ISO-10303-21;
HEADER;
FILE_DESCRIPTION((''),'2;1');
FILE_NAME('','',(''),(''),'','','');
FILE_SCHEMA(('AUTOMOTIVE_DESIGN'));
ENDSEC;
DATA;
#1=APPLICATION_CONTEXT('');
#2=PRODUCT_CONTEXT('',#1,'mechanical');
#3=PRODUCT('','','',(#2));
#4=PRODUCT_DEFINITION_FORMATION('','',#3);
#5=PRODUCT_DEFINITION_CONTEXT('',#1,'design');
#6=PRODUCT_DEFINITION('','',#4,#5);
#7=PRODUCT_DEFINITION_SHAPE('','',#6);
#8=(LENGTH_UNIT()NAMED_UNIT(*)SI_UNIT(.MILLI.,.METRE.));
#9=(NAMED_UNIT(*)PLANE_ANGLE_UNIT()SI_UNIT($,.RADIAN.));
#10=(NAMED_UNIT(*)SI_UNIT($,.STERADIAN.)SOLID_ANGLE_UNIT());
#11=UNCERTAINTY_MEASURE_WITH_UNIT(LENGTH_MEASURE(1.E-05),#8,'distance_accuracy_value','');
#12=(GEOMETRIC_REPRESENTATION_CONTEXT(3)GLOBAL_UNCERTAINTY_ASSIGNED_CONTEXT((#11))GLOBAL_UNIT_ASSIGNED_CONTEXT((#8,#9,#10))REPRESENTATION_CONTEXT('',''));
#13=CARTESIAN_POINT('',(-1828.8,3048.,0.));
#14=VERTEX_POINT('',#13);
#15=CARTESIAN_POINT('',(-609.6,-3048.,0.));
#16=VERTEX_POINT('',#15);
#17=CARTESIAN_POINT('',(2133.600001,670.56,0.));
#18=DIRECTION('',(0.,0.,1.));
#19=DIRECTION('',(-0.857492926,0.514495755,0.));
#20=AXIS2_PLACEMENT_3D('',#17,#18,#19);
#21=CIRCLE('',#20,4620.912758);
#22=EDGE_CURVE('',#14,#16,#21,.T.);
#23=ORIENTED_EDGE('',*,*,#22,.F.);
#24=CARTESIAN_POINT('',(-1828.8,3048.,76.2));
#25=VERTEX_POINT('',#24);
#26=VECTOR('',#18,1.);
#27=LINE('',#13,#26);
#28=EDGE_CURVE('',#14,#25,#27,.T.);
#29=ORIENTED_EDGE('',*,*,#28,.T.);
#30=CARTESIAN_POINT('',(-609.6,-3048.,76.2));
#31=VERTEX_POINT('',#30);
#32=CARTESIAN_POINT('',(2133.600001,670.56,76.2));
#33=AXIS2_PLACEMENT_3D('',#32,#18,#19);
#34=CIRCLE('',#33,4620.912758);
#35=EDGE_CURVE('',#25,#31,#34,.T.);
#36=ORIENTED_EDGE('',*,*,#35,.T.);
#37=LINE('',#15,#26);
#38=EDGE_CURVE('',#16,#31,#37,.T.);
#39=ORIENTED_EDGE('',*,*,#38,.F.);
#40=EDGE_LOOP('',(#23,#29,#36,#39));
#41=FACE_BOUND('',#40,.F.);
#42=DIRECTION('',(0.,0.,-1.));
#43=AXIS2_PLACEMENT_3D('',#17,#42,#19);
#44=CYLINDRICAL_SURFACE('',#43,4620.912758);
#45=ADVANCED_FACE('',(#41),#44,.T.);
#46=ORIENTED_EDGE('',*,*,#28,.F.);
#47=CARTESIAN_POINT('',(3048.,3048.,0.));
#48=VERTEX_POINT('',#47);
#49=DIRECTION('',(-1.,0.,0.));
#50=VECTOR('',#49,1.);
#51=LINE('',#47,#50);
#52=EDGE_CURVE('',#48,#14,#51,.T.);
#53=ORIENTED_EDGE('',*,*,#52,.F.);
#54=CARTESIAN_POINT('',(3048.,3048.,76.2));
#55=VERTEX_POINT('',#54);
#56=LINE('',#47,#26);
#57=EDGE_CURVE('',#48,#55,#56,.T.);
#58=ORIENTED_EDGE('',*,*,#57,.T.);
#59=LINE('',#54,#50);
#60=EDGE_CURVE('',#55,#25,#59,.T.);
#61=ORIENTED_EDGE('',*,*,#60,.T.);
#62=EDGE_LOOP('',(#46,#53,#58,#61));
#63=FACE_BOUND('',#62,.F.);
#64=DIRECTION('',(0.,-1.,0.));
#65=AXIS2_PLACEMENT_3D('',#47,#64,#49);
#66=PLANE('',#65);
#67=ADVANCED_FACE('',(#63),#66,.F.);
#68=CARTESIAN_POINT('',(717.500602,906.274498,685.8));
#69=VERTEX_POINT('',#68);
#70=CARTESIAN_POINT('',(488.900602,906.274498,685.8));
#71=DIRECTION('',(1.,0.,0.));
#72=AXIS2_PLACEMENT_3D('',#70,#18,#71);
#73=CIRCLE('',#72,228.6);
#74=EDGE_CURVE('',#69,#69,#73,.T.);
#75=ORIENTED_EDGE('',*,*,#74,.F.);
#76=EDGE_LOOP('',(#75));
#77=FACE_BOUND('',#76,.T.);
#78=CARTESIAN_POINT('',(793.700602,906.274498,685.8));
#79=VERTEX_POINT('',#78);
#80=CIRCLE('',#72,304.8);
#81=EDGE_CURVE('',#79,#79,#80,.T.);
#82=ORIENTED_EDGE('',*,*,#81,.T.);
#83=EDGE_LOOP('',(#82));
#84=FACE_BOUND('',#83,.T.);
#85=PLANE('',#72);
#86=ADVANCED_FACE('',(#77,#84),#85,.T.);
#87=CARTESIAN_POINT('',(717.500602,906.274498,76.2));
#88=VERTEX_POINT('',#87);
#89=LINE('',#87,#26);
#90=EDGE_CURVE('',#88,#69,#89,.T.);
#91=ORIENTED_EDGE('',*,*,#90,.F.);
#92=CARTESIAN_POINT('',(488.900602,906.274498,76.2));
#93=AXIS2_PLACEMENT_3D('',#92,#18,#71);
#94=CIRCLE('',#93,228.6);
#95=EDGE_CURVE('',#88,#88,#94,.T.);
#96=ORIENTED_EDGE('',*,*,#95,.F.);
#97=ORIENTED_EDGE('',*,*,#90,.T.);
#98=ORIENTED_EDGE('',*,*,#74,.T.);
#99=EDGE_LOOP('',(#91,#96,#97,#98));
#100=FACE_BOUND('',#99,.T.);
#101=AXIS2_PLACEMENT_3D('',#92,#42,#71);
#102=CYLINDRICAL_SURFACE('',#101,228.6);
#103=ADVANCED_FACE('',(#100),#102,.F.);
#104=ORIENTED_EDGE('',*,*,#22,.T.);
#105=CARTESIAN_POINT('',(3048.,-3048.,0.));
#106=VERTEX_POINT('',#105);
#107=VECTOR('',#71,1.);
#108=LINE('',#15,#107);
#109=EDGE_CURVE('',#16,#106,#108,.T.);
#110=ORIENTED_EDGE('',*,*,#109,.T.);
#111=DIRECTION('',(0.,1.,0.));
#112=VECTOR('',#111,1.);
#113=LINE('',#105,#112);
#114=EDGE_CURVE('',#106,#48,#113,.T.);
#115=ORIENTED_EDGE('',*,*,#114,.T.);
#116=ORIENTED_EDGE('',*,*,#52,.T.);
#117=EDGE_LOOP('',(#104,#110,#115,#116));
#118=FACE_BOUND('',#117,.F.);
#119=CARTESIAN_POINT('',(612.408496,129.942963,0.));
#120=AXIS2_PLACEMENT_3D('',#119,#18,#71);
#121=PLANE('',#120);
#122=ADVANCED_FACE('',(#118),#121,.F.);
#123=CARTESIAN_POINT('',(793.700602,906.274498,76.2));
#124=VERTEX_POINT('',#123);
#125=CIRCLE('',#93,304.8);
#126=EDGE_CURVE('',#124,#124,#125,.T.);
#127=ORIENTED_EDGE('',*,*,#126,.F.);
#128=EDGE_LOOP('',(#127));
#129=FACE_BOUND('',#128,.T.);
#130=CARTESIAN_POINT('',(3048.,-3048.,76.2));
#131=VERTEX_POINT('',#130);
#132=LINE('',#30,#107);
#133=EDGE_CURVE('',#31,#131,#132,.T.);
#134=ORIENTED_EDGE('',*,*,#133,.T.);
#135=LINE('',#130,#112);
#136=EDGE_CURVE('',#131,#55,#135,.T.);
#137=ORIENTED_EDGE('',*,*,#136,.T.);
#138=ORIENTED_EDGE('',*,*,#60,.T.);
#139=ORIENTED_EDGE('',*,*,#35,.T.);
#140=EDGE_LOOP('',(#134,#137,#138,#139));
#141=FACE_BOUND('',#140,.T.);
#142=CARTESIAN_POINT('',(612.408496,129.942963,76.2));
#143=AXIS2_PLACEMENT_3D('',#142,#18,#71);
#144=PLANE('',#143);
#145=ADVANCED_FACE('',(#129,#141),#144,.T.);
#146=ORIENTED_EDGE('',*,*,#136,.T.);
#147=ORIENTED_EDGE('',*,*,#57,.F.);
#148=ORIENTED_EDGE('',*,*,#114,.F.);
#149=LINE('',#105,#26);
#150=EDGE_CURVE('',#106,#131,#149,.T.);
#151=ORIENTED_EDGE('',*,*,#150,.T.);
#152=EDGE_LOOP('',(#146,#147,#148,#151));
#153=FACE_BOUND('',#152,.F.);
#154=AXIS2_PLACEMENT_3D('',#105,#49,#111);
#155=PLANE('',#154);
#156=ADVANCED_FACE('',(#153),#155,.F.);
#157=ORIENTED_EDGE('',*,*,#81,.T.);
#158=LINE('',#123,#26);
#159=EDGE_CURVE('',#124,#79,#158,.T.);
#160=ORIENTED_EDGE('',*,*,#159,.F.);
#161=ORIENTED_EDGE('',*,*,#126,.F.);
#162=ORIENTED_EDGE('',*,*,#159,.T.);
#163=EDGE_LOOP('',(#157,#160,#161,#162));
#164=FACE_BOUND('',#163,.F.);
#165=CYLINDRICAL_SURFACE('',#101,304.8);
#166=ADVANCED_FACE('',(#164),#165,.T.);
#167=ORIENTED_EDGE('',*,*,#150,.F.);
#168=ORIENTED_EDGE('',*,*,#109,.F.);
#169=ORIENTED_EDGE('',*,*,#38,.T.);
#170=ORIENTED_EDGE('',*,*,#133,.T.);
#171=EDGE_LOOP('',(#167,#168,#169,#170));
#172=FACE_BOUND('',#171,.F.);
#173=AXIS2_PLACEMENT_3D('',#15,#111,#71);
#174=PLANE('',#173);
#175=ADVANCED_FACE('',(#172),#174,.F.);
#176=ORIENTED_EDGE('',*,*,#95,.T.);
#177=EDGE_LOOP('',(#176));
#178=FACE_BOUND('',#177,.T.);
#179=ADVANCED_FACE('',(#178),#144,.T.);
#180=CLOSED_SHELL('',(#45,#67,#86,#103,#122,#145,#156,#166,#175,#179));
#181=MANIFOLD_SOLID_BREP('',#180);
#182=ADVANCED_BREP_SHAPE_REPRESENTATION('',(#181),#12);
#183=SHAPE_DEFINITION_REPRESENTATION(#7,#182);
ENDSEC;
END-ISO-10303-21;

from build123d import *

# Parameters (mm, degrees)
F1_DEPTH = 76.2
F2_R     = 304.8
F2_R_2   = 228.6
F3_DEPTH = 609.6


with BuildPart() as f1:
    # F0 (on Top) → F1 (new body)
    with BuildSketch(Plane.XY):
        with BuildLine():
            Line((3048, -3048), (3048, 3048))
            Line((3048, 3048), (-1828.8, 3048))
            ThreePointArc((-1828.8, 3048), (-2397.577754, -235.675551), (-609.6, -3048))
            Line((-609.6, -3048), (3048, -3048))
        make_face()
    extrude(amount=F1_DEPTH)

    # F2 (on face) → F3 (join)
    with BuildSketch(Plane.XY.offset(76.2)):
        with Locations((488.900602, 906.274498)):
            Circle(F2_R)
        with Locations((488.900602, 906.274498)):
            Circle(F2_R_2, mode=Mode.SUBTRACT)
    extrude(amount=F3_DEPTH)


solid = f1.part
